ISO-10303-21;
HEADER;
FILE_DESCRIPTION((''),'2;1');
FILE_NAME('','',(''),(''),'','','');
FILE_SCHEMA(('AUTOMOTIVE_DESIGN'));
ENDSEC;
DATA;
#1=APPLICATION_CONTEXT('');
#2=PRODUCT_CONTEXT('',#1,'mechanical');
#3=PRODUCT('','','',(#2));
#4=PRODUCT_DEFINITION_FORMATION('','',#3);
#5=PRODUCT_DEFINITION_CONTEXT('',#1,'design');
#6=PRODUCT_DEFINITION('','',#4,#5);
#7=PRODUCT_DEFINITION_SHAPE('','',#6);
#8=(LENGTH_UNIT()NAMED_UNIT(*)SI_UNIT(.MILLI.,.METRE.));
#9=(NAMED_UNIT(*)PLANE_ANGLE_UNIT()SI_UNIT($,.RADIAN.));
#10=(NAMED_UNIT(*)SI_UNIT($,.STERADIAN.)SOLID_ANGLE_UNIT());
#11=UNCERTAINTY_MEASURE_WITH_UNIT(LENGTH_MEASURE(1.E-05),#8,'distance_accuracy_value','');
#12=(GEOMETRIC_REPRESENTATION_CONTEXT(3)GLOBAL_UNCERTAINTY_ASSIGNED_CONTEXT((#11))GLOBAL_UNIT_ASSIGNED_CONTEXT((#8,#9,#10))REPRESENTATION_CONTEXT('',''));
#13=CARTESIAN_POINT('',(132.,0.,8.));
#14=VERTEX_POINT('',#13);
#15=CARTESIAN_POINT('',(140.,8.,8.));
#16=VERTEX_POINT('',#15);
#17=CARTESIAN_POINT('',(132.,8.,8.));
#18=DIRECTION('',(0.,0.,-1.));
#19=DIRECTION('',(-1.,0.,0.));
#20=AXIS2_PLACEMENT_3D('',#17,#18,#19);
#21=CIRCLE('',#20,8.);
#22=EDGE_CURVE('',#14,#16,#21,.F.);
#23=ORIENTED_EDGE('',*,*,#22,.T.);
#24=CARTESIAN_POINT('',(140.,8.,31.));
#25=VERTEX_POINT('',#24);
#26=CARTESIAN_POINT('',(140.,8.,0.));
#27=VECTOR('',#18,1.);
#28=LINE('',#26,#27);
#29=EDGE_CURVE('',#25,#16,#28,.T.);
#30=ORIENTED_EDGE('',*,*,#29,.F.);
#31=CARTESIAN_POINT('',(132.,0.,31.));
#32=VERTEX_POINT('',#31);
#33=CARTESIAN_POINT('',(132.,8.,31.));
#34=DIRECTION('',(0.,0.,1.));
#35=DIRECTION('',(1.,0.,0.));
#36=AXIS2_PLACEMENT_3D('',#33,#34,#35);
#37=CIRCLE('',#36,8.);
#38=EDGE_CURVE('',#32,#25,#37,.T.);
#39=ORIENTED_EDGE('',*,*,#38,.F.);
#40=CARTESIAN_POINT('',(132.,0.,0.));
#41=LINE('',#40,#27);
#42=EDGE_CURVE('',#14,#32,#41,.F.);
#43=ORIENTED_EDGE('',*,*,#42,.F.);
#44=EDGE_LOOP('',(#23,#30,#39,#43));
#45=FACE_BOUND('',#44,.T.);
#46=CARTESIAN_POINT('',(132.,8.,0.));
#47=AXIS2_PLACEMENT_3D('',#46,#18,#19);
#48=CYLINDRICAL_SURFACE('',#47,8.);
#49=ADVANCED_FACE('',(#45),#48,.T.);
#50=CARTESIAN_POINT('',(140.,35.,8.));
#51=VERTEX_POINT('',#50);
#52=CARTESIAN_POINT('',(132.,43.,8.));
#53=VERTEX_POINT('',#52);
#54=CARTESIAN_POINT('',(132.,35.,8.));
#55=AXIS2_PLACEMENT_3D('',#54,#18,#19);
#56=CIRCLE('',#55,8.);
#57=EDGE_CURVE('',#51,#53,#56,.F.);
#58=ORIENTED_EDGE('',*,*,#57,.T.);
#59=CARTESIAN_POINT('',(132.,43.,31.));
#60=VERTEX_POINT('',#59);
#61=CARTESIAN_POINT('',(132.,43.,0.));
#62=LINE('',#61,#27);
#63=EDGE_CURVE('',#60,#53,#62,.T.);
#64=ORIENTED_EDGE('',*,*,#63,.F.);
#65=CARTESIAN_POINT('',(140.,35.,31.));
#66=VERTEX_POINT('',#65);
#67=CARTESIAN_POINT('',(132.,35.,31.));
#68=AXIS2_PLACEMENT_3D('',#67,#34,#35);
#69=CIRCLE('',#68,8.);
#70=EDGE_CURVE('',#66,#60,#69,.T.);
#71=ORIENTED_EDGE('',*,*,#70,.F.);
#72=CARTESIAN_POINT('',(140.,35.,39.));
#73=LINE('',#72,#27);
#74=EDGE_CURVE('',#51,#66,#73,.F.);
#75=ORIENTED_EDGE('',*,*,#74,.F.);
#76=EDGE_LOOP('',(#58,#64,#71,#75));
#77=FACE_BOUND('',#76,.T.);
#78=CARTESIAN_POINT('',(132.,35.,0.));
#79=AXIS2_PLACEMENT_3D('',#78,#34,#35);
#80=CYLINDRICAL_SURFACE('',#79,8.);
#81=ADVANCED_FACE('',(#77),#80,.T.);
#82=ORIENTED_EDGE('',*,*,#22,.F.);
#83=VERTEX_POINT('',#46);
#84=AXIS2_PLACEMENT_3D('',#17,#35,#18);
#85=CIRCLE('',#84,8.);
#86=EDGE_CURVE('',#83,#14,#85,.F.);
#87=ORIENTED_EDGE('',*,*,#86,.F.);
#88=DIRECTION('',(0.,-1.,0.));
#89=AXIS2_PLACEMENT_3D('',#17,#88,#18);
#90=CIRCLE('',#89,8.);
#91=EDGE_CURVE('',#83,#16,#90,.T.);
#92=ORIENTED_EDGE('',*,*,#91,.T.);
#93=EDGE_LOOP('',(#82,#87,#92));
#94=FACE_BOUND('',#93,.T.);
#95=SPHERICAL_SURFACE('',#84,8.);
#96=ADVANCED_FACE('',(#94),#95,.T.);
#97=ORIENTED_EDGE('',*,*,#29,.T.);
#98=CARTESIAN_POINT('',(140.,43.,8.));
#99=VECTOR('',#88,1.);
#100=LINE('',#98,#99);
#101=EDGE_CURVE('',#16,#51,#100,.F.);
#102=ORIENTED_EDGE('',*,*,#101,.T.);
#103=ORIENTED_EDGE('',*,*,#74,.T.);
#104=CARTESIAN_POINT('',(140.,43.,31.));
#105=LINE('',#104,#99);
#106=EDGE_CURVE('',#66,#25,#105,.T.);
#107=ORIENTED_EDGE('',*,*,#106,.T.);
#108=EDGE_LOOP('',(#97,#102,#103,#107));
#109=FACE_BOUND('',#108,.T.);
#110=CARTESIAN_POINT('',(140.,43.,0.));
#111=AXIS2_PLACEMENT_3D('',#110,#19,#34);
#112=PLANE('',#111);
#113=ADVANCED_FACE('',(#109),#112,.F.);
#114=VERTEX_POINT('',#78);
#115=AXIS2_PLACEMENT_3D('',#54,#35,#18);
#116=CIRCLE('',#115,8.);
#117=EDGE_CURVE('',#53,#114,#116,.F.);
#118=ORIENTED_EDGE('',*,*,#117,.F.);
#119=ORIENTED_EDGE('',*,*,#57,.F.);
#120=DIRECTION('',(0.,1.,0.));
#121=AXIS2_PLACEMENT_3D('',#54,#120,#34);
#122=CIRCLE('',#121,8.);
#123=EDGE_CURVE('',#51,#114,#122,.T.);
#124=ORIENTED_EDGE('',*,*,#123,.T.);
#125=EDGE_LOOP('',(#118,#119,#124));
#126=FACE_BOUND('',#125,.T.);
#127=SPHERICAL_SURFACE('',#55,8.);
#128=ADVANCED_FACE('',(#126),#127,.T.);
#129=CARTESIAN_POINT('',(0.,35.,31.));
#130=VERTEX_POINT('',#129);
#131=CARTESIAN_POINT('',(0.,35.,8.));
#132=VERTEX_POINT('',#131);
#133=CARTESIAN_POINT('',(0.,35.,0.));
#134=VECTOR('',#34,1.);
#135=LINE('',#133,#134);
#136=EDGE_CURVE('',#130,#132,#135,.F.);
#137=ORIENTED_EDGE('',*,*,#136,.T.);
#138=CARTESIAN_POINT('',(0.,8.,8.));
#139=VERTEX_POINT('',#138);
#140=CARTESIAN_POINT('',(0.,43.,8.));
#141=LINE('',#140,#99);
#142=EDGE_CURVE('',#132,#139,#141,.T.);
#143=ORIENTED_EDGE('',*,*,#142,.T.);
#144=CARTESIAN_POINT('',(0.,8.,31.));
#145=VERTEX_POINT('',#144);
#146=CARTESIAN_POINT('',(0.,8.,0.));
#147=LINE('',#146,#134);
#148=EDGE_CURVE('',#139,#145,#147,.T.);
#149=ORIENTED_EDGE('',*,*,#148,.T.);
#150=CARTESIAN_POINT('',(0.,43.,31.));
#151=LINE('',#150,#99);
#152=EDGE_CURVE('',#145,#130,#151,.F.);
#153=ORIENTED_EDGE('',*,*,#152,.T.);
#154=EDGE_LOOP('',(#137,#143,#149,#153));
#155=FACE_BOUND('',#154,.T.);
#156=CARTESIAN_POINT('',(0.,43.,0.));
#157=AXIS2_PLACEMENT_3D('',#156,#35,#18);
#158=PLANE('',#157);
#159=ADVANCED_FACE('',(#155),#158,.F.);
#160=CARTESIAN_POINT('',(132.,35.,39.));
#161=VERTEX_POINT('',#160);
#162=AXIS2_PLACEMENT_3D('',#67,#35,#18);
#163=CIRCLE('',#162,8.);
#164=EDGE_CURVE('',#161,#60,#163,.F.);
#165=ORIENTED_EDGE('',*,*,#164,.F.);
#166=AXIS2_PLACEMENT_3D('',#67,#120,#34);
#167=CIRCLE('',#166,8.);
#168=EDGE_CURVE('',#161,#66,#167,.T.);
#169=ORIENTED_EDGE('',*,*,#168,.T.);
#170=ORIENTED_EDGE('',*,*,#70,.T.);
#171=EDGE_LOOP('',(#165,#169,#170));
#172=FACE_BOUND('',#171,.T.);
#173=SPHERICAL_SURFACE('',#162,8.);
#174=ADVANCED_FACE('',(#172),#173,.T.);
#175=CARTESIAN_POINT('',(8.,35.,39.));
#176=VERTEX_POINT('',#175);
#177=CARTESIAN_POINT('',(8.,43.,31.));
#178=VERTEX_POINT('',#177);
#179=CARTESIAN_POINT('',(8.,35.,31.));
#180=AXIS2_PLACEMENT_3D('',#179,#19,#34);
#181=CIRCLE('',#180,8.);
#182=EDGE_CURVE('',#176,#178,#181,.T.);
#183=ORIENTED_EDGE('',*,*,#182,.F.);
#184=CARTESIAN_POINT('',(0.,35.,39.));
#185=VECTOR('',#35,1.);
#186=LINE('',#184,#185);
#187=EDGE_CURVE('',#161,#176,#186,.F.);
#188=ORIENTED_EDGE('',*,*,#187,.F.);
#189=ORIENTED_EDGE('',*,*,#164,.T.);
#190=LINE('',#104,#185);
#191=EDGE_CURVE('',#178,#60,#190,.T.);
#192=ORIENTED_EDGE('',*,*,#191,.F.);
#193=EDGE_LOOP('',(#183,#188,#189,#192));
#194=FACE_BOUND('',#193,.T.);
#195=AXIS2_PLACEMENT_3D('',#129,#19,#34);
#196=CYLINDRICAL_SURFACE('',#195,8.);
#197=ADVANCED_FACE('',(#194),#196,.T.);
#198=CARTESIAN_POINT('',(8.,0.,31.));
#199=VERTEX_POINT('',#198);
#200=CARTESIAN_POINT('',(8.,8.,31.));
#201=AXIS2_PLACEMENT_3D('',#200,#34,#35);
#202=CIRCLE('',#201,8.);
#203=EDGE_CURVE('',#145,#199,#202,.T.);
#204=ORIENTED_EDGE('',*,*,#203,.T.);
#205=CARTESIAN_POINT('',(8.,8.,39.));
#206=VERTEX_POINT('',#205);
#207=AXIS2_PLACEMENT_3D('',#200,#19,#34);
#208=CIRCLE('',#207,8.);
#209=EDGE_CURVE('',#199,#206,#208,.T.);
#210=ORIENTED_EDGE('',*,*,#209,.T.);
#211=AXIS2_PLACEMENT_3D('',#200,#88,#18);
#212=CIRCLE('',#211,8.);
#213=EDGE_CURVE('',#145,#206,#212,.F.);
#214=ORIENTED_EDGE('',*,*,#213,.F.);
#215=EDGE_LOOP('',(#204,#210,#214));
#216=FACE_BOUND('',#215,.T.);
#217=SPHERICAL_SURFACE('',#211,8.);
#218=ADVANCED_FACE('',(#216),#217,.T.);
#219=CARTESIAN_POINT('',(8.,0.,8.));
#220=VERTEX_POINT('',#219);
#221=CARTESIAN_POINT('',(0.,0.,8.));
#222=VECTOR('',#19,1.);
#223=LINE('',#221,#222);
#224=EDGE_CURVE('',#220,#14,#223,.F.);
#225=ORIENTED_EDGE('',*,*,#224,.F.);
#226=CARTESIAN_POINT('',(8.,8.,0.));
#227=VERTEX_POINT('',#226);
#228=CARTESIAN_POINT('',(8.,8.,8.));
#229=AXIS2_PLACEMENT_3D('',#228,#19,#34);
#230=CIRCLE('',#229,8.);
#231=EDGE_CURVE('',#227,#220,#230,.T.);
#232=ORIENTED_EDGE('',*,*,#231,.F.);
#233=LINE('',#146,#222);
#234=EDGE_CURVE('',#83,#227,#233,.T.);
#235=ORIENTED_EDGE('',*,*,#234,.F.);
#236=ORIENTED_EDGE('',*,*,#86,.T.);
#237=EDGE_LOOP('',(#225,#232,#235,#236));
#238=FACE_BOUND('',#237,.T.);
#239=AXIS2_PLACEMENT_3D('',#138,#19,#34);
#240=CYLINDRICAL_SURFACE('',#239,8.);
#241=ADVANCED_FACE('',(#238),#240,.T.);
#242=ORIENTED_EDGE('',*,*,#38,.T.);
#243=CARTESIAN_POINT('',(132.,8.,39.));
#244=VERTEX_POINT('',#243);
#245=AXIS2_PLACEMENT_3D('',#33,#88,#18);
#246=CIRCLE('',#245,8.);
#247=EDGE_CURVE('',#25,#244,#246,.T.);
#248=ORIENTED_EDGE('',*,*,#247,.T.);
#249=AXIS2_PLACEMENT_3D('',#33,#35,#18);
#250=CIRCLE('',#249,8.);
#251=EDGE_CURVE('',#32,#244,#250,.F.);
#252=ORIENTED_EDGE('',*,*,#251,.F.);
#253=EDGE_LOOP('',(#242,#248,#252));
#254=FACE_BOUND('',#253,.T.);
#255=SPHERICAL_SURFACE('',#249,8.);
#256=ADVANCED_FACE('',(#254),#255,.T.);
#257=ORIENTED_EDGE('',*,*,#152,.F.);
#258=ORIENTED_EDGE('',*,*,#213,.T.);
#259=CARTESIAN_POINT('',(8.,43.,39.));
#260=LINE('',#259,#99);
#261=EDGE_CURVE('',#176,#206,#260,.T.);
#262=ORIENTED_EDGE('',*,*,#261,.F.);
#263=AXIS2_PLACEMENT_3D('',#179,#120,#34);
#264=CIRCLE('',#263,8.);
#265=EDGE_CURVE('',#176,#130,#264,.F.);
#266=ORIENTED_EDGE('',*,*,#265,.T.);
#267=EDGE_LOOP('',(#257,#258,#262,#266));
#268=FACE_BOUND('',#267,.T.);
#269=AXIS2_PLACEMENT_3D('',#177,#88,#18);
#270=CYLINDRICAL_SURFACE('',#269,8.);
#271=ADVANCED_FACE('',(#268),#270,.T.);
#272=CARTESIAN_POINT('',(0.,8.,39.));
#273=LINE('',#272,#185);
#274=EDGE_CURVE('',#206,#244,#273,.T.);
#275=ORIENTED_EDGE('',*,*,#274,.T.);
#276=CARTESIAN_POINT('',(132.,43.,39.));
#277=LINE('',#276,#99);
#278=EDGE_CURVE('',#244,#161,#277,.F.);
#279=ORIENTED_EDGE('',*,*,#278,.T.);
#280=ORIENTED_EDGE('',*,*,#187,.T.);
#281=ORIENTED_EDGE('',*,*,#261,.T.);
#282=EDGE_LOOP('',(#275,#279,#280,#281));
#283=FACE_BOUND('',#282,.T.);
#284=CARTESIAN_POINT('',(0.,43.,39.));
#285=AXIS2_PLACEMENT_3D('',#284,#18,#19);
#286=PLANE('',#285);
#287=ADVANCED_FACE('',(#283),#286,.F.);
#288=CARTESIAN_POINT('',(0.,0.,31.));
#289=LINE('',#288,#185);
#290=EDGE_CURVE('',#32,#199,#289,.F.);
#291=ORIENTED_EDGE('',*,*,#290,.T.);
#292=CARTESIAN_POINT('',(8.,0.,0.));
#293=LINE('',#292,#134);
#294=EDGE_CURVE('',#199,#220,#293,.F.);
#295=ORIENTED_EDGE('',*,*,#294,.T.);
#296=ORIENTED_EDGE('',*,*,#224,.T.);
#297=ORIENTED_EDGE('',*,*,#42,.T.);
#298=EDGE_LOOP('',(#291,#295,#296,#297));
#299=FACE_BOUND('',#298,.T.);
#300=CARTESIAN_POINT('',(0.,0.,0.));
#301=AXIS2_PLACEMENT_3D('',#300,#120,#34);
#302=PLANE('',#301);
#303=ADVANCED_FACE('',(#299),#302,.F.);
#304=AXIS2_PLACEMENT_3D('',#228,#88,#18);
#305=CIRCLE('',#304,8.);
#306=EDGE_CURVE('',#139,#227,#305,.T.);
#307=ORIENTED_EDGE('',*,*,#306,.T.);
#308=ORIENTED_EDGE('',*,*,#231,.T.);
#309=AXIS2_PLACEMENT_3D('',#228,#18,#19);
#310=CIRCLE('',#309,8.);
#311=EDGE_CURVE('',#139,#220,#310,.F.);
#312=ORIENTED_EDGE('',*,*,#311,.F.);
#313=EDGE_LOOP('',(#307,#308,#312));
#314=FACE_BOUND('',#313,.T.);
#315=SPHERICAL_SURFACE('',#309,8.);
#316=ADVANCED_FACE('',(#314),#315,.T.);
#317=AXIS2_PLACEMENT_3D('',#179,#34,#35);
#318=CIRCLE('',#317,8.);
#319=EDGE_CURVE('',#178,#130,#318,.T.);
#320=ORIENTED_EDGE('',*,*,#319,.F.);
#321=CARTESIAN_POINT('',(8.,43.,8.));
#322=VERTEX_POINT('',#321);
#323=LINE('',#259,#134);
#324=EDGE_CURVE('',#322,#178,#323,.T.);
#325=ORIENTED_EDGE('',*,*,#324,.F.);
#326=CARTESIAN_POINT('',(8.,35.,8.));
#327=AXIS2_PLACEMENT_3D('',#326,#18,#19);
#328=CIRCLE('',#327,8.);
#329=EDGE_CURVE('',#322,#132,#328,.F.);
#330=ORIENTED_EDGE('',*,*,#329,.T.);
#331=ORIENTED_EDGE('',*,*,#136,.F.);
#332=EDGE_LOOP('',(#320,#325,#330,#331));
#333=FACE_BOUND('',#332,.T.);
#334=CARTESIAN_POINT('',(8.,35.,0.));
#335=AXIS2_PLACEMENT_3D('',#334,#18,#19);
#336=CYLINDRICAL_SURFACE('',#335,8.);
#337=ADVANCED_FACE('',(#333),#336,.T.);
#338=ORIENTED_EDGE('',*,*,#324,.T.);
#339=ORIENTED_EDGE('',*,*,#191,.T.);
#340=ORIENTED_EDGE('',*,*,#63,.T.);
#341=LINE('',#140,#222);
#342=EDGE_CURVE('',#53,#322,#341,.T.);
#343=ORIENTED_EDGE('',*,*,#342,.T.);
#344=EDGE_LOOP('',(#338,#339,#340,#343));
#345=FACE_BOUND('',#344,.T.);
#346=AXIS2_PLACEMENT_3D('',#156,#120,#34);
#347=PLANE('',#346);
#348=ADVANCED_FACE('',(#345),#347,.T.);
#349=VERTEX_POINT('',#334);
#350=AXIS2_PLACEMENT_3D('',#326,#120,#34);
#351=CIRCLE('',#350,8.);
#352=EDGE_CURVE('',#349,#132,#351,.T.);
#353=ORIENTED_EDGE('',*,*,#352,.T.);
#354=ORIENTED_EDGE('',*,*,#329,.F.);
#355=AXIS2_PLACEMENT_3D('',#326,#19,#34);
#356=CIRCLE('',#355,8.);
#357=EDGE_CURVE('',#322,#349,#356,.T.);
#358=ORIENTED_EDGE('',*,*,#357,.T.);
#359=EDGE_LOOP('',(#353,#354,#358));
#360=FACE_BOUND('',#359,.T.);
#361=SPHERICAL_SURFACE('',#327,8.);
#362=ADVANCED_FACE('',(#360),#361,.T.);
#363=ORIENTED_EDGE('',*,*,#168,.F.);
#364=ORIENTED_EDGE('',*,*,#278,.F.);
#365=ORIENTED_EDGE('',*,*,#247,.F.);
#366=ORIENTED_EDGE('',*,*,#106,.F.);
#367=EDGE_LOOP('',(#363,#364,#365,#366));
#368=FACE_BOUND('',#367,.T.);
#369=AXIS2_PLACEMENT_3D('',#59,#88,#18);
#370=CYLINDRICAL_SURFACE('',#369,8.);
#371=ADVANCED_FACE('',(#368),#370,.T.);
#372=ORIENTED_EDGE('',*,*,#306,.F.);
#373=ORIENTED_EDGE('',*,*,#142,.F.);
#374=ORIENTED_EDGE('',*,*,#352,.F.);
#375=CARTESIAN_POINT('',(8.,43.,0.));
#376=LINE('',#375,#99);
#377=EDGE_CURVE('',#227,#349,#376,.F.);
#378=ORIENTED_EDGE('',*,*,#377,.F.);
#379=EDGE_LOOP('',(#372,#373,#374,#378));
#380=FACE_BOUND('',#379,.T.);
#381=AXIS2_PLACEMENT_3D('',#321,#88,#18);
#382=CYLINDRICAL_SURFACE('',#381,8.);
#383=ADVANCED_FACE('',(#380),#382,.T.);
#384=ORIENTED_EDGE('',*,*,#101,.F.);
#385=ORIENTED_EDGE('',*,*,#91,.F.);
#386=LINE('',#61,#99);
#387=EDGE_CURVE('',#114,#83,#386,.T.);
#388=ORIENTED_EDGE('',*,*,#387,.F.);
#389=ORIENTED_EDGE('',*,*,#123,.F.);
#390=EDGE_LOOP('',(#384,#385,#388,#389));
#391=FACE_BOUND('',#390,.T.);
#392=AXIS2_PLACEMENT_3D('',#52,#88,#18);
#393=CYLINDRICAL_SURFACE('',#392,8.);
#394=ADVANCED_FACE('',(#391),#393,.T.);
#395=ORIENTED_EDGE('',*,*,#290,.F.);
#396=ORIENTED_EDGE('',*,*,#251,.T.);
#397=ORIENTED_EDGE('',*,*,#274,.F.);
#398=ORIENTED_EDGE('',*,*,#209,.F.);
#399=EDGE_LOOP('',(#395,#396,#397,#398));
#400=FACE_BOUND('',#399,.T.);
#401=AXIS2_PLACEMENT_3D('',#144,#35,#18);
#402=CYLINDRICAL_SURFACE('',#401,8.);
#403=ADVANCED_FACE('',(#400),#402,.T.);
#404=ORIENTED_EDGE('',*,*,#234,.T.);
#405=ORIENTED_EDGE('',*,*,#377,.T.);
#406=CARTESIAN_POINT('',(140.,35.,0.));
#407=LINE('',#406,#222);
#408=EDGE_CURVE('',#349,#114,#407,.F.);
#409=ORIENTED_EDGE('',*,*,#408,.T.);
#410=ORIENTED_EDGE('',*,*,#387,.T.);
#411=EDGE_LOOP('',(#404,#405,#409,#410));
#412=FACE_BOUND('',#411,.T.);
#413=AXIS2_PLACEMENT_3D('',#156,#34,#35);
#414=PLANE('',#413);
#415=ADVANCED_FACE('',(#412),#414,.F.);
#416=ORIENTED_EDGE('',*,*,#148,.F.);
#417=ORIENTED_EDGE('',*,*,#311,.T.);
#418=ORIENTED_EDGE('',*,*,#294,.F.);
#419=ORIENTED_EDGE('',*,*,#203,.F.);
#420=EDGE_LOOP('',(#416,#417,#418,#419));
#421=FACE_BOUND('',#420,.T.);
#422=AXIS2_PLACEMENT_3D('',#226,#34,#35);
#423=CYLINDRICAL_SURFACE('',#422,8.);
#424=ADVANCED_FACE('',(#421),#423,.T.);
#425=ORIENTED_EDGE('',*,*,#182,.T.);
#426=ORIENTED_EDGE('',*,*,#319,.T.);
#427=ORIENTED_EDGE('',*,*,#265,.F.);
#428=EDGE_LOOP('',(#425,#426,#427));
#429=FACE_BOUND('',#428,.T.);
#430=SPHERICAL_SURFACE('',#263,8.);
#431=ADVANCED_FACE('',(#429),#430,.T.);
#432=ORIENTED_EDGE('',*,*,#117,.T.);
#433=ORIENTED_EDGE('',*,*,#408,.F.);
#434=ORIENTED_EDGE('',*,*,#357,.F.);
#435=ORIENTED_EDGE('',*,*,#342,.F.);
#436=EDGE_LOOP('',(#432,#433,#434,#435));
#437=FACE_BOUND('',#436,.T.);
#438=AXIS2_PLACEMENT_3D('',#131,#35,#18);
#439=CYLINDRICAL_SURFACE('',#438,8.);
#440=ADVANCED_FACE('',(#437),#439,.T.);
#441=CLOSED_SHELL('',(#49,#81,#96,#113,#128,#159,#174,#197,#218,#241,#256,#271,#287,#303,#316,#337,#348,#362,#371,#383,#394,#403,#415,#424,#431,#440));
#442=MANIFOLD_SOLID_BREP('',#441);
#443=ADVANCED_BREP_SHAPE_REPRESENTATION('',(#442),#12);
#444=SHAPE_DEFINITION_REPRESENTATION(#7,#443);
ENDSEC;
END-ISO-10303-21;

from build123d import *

# Parameters (mm, degrees)
SKETCH1_W           = 140
SKETCH1_H           = 39
BOSS_EXTRUDE1_DEPTH = 43
FILLET1_R           = 8


with BuildPart() as part:
    # Sketch1 → Boss-Extrude1 (new body)
    with BuildSketch(Plane(origin=(0, 0, 0), x_dir=(1, 0, 0), z_dir=(0, 1, 0))):
        with Locations((70, -19.5)):
            Rectangle(SKETCH1_W, SKETCH1_H)
    extrude(amount=BOSS_EXTRUDE1_DEPTH)

    # Fillet1
    fillet1_edges = [part.edges().sort_by_distance(p)[0] for p in [
        (140, 43, 19.5),
        (70, 43, 0),
        (0, 43, 19.5),
        (70, 0, 0),
        (140, 0, 19.5),
        (70, 0, 39),
        (0, 0, 19.5),
        (0, 21.5, 0),
        (140, 21.5, 0),
        (140, 21.5, 39),
        (0, 21.5, 39),
        (70, 43, 39),
    ]]
    fillet(fillet1_edges, radius=FILLET1_R)


solid = part.part
